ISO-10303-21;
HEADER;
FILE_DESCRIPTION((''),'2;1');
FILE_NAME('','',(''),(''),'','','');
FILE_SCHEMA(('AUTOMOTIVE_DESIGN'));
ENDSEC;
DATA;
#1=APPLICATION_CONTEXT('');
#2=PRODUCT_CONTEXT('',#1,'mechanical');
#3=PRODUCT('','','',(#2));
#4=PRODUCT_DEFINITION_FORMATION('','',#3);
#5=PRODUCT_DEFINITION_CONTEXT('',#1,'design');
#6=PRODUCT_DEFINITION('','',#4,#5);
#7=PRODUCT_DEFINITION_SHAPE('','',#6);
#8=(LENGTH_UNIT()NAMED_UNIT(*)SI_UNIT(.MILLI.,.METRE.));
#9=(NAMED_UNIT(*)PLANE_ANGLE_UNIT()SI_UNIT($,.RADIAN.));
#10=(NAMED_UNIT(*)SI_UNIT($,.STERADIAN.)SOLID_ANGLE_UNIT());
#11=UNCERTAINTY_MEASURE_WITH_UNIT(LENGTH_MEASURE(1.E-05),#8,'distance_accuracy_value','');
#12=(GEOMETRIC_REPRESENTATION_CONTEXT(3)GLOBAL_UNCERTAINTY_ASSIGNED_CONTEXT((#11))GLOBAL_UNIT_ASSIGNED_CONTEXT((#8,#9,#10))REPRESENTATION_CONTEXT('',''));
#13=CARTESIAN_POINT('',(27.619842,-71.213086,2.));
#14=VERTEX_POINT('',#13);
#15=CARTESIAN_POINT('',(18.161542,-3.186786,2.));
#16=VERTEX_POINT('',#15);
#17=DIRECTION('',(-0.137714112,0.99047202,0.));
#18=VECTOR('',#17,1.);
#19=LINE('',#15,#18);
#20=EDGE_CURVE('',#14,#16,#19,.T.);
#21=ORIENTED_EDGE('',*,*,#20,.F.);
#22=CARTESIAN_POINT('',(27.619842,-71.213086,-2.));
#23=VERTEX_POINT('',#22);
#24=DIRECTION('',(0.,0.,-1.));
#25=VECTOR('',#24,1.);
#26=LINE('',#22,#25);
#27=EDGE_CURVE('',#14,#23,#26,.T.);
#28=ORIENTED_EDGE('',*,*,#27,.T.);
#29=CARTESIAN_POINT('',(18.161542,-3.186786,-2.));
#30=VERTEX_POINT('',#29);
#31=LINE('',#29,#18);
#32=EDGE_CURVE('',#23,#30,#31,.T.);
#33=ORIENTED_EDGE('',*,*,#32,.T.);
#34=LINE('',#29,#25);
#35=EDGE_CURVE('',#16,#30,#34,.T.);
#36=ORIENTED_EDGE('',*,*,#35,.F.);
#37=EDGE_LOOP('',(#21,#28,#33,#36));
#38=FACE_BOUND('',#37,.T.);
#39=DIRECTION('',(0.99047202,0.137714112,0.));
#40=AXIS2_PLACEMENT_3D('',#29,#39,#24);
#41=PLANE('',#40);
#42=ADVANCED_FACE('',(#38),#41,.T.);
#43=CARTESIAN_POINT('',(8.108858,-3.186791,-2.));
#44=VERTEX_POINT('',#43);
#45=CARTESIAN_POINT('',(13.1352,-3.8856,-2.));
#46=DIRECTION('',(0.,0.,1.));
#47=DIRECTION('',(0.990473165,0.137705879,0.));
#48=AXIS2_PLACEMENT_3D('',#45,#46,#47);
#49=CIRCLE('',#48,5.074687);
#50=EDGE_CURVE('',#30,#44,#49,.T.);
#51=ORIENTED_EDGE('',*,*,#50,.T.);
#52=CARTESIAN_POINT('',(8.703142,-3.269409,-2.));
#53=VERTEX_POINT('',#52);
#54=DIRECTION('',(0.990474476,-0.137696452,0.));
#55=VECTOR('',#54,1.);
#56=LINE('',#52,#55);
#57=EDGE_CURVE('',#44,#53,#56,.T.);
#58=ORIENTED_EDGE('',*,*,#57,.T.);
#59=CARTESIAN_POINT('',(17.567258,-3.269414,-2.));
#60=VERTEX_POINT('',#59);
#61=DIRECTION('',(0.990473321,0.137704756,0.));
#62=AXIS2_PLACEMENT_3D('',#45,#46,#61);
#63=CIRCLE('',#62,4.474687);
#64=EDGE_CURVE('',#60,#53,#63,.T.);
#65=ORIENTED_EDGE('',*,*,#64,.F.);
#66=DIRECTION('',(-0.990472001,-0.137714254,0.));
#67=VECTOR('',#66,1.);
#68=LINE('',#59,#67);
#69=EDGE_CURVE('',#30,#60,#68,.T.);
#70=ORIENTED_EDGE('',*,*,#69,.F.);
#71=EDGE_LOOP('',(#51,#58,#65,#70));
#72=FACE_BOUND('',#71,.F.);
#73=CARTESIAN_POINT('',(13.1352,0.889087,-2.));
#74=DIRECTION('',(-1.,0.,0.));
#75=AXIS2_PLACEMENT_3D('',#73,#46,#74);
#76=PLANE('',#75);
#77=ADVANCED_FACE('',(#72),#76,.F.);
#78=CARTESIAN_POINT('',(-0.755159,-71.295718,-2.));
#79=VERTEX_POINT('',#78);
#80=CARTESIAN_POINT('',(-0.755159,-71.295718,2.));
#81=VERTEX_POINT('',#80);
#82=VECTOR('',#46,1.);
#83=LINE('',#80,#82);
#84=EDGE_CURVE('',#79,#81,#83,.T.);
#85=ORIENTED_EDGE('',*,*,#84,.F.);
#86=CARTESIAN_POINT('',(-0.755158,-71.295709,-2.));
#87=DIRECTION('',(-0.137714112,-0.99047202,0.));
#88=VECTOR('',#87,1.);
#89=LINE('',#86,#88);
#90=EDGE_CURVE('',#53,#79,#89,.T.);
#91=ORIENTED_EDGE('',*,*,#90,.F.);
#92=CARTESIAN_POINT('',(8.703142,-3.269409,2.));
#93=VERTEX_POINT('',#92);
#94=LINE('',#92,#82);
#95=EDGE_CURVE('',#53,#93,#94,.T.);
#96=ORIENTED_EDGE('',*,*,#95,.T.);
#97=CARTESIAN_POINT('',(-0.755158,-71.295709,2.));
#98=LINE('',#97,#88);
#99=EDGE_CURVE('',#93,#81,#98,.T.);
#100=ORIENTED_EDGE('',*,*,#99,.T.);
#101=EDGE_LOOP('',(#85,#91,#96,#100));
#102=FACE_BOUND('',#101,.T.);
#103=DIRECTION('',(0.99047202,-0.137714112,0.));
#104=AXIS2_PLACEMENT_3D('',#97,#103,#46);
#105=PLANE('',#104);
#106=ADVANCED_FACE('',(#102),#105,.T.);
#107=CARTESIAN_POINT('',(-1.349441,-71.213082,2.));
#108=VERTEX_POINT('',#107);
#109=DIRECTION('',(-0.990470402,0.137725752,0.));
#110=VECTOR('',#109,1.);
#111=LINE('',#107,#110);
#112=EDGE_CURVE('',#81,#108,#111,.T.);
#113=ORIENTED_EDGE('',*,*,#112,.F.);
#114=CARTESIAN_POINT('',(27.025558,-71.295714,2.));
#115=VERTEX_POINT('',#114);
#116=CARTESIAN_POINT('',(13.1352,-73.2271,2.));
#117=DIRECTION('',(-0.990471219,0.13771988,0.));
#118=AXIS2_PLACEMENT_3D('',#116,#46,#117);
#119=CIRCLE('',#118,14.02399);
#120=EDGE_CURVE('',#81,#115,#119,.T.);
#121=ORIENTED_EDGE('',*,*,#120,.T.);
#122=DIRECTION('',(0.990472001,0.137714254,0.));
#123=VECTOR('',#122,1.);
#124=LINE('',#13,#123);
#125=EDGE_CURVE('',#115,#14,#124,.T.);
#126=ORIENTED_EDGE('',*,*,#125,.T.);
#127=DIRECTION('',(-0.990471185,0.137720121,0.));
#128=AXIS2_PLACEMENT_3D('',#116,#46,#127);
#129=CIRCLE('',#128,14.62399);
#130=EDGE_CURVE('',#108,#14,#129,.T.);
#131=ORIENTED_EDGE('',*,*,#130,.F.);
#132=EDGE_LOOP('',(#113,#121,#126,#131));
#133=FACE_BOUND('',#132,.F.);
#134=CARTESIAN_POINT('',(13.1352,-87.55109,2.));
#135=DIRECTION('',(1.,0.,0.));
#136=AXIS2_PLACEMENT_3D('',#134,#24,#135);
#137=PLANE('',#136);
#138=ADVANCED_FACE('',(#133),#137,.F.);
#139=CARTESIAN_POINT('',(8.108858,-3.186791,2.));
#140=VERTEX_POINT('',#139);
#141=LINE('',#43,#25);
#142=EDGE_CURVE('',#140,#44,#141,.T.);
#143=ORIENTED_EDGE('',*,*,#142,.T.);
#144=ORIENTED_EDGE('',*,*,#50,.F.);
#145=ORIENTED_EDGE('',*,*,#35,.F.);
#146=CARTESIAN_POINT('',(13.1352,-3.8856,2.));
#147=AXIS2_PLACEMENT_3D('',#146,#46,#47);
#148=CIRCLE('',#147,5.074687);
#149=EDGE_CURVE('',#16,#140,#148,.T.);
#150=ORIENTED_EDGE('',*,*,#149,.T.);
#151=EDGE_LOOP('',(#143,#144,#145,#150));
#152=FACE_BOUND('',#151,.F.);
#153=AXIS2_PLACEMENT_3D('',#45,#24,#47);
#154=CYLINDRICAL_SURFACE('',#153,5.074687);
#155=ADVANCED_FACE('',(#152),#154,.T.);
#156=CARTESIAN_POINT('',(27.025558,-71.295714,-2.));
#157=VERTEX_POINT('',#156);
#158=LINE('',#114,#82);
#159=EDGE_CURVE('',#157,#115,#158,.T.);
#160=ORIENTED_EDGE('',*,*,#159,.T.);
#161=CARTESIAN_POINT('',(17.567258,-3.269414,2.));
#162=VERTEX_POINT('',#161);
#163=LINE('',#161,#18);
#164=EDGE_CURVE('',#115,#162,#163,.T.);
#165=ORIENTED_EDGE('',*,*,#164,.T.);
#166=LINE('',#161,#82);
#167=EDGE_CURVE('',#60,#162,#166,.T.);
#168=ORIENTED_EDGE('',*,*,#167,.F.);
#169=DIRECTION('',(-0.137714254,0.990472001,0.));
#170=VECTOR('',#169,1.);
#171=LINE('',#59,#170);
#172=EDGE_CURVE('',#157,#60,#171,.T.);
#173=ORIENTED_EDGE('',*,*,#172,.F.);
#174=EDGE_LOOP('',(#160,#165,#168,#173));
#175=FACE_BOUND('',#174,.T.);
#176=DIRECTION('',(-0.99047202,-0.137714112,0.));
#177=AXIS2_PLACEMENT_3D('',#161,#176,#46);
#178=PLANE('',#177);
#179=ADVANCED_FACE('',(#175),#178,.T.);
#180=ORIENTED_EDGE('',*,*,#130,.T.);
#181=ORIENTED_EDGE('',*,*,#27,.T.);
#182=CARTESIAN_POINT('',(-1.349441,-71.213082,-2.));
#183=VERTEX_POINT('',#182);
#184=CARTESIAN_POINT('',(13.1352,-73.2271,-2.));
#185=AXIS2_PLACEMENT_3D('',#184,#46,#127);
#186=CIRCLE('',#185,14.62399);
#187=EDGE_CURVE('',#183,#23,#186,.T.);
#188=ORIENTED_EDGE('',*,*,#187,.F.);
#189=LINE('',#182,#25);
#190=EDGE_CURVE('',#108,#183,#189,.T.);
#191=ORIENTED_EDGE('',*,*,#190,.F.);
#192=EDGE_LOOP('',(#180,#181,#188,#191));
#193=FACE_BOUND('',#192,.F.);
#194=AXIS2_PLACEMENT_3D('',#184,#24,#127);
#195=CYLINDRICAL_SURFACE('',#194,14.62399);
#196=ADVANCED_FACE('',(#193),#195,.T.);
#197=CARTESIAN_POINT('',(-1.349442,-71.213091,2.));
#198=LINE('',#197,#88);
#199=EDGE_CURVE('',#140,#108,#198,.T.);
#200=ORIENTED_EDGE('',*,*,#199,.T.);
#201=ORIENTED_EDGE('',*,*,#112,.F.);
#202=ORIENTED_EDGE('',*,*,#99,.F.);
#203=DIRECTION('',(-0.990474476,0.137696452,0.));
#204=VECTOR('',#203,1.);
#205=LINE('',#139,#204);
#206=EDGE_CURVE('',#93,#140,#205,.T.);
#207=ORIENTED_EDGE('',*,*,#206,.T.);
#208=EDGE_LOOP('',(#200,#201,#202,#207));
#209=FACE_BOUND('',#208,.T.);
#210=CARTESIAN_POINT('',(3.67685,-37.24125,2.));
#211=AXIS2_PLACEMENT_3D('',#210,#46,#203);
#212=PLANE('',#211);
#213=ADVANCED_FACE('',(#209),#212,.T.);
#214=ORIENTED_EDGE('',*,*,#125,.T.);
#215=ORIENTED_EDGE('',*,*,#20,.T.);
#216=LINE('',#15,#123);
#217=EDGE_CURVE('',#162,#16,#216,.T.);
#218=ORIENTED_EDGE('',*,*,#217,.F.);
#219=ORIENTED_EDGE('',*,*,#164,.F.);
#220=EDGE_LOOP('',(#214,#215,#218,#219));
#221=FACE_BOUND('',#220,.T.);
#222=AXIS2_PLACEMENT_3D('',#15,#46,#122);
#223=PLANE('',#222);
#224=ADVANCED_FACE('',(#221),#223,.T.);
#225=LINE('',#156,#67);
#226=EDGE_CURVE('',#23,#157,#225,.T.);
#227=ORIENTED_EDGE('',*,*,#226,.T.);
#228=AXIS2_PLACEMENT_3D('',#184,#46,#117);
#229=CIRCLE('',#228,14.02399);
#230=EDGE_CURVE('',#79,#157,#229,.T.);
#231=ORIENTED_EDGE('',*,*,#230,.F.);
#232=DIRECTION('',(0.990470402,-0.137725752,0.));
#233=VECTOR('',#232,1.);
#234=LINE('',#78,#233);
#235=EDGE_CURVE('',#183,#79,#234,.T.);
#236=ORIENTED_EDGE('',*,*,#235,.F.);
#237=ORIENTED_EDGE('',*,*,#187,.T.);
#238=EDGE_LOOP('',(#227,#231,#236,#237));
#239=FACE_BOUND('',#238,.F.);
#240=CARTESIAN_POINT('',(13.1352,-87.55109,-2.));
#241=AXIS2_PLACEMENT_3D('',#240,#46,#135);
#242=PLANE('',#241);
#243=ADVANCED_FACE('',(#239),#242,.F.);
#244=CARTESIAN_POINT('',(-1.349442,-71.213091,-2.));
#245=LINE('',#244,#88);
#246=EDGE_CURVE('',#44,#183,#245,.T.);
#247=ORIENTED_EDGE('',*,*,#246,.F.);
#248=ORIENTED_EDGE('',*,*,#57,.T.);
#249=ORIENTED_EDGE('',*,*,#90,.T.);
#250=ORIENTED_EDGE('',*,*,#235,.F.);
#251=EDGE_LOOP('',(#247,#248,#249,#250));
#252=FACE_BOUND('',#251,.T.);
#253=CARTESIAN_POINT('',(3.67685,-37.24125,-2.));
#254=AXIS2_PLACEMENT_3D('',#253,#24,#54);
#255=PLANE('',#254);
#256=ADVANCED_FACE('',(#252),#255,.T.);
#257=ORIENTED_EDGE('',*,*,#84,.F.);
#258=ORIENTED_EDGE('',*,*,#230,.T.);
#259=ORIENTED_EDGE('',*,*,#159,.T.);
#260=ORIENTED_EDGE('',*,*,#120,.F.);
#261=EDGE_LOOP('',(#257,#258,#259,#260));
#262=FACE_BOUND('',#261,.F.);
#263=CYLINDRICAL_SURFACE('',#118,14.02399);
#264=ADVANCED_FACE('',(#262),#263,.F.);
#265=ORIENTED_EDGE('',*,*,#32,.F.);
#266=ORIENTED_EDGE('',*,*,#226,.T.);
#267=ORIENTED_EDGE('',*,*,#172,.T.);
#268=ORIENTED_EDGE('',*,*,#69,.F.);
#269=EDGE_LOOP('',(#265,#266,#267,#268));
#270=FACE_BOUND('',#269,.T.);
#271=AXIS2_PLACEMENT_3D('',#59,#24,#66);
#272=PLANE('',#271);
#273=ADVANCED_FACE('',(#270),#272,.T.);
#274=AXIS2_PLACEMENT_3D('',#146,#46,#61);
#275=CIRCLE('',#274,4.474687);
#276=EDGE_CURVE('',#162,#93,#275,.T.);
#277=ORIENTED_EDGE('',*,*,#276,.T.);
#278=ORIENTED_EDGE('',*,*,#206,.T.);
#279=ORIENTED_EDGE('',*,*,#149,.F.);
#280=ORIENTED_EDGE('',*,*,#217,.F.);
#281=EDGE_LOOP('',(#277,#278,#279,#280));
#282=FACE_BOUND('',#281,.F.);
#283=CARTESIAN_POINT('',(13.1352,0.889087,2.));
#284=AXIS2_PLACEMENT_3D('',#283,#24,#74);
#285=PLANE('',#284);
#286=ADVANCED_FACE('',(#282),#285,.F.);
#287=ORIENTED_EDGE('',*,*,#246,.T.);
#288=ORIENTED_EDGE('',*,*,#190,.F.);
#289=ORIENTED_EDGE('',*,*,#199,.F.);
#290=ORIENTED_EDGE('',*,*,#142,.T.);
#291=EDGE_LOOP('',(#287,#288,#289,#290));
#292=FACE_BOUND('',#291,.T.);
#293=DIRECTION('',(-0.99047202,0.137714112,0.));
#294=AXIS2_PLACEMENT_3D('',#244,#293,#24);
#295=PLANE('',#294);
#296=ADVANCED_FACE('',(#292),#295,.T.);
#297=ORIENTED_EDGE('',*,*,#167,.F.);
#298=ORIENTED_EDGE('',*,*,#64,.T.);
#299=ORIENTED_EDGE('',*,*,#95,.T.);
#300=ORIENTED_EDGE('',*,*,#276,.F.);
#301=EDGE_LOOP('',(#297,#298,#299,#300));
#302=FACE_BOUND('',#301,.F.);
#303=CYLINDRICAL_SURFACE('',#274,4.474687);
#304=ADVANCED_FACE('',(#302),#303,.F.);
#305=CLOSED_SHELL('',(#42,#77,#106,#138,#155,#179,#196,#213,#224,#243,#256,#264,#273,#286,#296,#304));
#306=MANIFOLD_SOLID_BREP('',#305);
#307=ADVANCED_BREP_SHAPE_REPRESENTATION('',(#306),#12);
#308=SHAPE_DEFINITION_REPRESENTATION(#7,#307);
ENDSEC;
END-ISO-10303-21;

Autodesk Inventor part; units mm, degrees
sketch "Sketch Path" plane through (0, 0, 0) normal (0, 0, 1) x (1, 0, 0)
  arc A0 (17.8644, -3.2281) -> (8.406, -3.2281) centre (13.1352, -3.8856) ccw
  arc A1 (-1.0523, -71.2544) -> (27.3227, -71.2544) centre (13.1352, -73.2271) ccw
  line L0 (-1.0523, -71.2544) -> (8.406, -3.2281)
  line L1 (17.8644, -3.2281) -> (27.3227, -71.2544)
ref_plane "Cross Section Plane" through (8.406, -3.2281, 0) normal (-0.1377, -0.9905, 0) x (0, 0, 1)
ref_plane "Work Plane2" through (13.1352, -3.8856, 0) normal (-1, 0, 0) x (0, 0, 1)
ref_plane "Work Plane3" through (13.1352, -73.2271, 0) normal (0, 1, 0) x (0, 0, 1)
sketch "Cross Section" plane through (8.406, -3.2281, 0) normal (-0.1377, -0.9905, 0) x (0, 0, 1)
  line L0 (-2, 0.3) -> (2, 0.3)
  line L1 (2, 0.3) -> (2, -0.3)
  line L2 (2, -0.3) -> (-2, -0.3)
  line L3 (-2, -0.3) -> (-2, 0.3)
  line L4 (-2, 0) -> (2, 0) construction
  point P0 (0, 0)
  point P1 (0, 0)
  dimension "d0" = 4
  dimension "d4" = 0.3
  dimension "d5" = 0.3
sweep "Belt" add profiles "Cross Section" path "Sketch Path"
equation "\"d0\" = da_B"
equation "\"d4\" = da_a"
equation "\"d5\" = da_a2"
equation "\"da_B\" = 4"
equation "\"da_pb\" = 2.5"
equation "\"da_a\" = 0.3"
equation "\"da_S\" = 1.5"
equation "\"da_Beta\" = 20deg"
equation "\"da_Ht\" = 0.7"
equation "\"da_H\" = 1.3"
equation "\"da_a2\" = 0.3"
properties part number "Synchronous Belt" material "Rubber"
